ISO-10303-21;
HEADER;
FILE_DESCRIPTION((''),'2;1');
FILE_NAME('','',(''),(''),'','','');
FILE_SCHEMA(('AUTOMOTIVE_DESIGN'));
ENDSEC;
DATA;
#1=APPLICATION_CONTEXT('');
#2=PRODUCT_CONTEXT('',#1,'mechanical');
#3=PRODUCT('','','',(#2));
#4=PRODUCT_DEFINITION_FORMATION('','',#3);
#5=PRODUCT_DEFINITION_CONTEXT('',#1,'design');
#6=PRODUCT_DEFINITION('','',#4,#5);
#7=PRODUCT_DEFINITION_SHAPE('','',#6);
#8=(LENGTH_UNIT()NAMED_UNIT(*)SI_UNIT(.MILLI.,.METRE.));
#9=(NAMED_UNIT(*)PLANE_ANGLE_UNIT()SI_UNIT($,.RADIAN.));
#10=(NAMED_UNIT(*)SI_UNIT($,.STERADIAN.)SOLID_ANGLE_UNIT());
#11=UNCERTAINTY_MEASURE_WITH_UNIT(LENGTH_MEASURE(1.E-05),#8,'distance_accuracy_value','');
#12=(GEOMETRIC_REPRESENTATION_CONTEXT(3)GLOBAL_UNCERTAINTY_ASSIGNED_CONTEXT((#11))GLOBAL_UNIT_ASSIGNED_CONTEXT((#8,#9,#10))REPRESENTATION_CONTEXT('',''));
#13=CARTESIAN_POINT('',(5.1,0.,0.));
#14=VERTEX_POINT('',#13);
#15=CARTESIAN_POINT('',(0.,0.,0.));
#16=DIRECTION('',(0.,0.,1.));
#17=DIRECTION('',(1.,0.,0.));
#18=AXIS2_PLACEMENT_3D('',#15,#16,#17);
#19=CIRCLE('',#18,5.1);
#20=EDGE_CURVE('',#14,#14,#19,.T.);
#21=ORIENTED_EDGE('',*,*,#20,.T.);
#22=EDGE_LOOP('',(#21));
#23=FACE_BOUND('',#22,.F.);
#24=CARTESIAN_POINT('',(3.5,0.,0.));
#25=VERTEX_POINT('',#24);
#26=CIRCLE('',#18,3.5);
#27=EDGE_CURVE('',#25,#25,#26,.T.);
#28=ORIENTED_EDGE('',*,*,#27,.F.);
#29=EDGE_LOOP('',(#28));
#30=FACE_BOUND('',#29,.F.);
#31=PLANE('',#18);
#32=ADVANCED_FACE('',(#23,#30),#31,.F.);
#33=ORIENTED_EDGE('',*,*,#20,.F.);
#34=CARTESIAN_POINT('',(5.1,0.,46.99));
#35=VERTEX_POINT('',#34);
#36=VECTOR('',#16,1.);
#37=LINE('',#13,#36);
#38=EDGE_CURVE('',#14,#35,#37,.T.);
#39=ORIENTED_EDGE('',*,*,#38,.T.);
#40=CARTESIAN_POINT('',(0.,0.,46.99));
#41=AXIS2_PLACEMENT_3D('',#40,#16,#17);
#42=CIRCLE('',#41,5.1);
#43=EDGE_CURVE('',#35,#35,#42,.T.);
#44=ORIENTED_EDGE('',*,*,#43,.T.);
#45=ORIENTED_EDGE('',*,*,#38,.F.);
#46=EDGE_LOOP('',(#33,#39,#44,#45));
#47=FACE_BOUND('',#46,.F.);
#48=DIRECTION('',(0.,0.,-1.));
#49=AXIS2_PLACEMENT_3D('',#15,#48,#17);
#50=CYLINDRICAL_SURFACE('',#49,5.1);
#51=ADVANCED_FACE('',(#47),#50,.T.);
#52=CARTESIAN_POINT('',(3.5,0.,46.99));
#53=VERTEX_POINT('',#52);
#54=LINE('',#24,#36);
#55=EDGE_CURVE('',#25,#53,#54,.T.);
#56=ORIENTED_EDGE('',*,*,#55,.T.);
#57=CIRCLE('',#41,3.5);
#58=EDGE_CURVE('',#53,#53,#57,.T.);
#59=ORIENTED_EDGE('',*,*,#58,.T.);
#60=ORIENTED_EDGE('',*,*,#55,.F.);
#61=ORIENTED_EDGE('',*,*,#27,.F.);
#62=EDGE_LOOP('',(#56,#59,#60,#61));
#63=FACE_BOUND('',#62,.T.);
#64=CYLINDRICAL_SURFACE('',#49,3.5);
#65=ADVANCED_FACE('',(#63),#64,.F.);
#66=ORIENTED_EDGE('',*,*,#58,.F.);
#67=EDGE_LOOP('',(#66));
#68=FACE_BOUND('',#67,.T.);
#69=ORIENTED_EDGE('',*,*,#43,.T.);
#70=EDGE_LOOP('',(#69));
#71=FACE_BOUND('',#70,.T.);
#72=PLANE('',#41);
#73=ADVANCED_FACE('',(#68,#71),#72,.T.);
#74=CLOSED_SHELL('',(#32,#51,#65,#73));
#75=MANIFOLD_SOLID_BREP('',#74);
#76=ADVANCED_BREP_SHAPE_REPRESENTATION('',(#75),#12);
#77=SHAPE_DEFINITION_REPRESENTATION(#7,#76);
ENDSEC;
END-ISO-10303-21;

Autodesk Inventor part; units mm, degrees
ref_plane "YZ Plane" through (0, 0, 0) normal (1, 0, 0) x (0, 1, 0)
ref_plane "Start Plane" through (0, 0, 0) normal (0, 0, 1) x (1, 0, 0)
ref_plane "End Plane" through (0, 0, 46.99) normal (0, 0, 1) x (1, 0, 0)
sketch "Sketch" plane through (0, 0, 0) normal (0, 0, 1) x (1, 0, 0)
  circle A0 centre (0, 0) radius 3.5
  circle A1 centre (0, 0) radius 5.1
  dimension "d0" = 10.2
  dimension "d1" = 1.6
extrude "Body" add sketch "Sketch" along normal up to surface (46.99 mm away) from surface at 0
sketch "Sketch3" plane through (0, 0, 0) normal (0, 0, 1) x (1, 0, 0)
  line L0 (0, 0) -> (10, 0)
ref_plane "Work Plane3" through (0, 0, 0) normal (0, -1, 0) x (1, 0, 0)
sketch "Sketch4" plane through (0, 0, 0) normal (0, -1, 0) x (1, 0, 0)
  line L0 (-2, 0) -> (12, 0) projected
  line L1 (-2, 46.99) -> (12, 46.99) projected
  dimension "d7" = 46.99
equation "\"d0\" = G_H"
equation "\"d1\" = G_T"
equation "\"d2\" = G_L"
equation "\"G_H\" = 10.2"
equation "\"G_T\" = 1.6"
equation "\"G_L\" = d7"
equation "\"G_OFFSET_START\" = 0"
equation "\"G_OFFSET_END\" = 0"
equation "\"d5\" = G_OFFSET_END + B_L"
equation "\"B_L\" = 46.99"
properties part number "DIN2448 - 10.2 x 1.6 - 46.99" material "Steel, Mild"
